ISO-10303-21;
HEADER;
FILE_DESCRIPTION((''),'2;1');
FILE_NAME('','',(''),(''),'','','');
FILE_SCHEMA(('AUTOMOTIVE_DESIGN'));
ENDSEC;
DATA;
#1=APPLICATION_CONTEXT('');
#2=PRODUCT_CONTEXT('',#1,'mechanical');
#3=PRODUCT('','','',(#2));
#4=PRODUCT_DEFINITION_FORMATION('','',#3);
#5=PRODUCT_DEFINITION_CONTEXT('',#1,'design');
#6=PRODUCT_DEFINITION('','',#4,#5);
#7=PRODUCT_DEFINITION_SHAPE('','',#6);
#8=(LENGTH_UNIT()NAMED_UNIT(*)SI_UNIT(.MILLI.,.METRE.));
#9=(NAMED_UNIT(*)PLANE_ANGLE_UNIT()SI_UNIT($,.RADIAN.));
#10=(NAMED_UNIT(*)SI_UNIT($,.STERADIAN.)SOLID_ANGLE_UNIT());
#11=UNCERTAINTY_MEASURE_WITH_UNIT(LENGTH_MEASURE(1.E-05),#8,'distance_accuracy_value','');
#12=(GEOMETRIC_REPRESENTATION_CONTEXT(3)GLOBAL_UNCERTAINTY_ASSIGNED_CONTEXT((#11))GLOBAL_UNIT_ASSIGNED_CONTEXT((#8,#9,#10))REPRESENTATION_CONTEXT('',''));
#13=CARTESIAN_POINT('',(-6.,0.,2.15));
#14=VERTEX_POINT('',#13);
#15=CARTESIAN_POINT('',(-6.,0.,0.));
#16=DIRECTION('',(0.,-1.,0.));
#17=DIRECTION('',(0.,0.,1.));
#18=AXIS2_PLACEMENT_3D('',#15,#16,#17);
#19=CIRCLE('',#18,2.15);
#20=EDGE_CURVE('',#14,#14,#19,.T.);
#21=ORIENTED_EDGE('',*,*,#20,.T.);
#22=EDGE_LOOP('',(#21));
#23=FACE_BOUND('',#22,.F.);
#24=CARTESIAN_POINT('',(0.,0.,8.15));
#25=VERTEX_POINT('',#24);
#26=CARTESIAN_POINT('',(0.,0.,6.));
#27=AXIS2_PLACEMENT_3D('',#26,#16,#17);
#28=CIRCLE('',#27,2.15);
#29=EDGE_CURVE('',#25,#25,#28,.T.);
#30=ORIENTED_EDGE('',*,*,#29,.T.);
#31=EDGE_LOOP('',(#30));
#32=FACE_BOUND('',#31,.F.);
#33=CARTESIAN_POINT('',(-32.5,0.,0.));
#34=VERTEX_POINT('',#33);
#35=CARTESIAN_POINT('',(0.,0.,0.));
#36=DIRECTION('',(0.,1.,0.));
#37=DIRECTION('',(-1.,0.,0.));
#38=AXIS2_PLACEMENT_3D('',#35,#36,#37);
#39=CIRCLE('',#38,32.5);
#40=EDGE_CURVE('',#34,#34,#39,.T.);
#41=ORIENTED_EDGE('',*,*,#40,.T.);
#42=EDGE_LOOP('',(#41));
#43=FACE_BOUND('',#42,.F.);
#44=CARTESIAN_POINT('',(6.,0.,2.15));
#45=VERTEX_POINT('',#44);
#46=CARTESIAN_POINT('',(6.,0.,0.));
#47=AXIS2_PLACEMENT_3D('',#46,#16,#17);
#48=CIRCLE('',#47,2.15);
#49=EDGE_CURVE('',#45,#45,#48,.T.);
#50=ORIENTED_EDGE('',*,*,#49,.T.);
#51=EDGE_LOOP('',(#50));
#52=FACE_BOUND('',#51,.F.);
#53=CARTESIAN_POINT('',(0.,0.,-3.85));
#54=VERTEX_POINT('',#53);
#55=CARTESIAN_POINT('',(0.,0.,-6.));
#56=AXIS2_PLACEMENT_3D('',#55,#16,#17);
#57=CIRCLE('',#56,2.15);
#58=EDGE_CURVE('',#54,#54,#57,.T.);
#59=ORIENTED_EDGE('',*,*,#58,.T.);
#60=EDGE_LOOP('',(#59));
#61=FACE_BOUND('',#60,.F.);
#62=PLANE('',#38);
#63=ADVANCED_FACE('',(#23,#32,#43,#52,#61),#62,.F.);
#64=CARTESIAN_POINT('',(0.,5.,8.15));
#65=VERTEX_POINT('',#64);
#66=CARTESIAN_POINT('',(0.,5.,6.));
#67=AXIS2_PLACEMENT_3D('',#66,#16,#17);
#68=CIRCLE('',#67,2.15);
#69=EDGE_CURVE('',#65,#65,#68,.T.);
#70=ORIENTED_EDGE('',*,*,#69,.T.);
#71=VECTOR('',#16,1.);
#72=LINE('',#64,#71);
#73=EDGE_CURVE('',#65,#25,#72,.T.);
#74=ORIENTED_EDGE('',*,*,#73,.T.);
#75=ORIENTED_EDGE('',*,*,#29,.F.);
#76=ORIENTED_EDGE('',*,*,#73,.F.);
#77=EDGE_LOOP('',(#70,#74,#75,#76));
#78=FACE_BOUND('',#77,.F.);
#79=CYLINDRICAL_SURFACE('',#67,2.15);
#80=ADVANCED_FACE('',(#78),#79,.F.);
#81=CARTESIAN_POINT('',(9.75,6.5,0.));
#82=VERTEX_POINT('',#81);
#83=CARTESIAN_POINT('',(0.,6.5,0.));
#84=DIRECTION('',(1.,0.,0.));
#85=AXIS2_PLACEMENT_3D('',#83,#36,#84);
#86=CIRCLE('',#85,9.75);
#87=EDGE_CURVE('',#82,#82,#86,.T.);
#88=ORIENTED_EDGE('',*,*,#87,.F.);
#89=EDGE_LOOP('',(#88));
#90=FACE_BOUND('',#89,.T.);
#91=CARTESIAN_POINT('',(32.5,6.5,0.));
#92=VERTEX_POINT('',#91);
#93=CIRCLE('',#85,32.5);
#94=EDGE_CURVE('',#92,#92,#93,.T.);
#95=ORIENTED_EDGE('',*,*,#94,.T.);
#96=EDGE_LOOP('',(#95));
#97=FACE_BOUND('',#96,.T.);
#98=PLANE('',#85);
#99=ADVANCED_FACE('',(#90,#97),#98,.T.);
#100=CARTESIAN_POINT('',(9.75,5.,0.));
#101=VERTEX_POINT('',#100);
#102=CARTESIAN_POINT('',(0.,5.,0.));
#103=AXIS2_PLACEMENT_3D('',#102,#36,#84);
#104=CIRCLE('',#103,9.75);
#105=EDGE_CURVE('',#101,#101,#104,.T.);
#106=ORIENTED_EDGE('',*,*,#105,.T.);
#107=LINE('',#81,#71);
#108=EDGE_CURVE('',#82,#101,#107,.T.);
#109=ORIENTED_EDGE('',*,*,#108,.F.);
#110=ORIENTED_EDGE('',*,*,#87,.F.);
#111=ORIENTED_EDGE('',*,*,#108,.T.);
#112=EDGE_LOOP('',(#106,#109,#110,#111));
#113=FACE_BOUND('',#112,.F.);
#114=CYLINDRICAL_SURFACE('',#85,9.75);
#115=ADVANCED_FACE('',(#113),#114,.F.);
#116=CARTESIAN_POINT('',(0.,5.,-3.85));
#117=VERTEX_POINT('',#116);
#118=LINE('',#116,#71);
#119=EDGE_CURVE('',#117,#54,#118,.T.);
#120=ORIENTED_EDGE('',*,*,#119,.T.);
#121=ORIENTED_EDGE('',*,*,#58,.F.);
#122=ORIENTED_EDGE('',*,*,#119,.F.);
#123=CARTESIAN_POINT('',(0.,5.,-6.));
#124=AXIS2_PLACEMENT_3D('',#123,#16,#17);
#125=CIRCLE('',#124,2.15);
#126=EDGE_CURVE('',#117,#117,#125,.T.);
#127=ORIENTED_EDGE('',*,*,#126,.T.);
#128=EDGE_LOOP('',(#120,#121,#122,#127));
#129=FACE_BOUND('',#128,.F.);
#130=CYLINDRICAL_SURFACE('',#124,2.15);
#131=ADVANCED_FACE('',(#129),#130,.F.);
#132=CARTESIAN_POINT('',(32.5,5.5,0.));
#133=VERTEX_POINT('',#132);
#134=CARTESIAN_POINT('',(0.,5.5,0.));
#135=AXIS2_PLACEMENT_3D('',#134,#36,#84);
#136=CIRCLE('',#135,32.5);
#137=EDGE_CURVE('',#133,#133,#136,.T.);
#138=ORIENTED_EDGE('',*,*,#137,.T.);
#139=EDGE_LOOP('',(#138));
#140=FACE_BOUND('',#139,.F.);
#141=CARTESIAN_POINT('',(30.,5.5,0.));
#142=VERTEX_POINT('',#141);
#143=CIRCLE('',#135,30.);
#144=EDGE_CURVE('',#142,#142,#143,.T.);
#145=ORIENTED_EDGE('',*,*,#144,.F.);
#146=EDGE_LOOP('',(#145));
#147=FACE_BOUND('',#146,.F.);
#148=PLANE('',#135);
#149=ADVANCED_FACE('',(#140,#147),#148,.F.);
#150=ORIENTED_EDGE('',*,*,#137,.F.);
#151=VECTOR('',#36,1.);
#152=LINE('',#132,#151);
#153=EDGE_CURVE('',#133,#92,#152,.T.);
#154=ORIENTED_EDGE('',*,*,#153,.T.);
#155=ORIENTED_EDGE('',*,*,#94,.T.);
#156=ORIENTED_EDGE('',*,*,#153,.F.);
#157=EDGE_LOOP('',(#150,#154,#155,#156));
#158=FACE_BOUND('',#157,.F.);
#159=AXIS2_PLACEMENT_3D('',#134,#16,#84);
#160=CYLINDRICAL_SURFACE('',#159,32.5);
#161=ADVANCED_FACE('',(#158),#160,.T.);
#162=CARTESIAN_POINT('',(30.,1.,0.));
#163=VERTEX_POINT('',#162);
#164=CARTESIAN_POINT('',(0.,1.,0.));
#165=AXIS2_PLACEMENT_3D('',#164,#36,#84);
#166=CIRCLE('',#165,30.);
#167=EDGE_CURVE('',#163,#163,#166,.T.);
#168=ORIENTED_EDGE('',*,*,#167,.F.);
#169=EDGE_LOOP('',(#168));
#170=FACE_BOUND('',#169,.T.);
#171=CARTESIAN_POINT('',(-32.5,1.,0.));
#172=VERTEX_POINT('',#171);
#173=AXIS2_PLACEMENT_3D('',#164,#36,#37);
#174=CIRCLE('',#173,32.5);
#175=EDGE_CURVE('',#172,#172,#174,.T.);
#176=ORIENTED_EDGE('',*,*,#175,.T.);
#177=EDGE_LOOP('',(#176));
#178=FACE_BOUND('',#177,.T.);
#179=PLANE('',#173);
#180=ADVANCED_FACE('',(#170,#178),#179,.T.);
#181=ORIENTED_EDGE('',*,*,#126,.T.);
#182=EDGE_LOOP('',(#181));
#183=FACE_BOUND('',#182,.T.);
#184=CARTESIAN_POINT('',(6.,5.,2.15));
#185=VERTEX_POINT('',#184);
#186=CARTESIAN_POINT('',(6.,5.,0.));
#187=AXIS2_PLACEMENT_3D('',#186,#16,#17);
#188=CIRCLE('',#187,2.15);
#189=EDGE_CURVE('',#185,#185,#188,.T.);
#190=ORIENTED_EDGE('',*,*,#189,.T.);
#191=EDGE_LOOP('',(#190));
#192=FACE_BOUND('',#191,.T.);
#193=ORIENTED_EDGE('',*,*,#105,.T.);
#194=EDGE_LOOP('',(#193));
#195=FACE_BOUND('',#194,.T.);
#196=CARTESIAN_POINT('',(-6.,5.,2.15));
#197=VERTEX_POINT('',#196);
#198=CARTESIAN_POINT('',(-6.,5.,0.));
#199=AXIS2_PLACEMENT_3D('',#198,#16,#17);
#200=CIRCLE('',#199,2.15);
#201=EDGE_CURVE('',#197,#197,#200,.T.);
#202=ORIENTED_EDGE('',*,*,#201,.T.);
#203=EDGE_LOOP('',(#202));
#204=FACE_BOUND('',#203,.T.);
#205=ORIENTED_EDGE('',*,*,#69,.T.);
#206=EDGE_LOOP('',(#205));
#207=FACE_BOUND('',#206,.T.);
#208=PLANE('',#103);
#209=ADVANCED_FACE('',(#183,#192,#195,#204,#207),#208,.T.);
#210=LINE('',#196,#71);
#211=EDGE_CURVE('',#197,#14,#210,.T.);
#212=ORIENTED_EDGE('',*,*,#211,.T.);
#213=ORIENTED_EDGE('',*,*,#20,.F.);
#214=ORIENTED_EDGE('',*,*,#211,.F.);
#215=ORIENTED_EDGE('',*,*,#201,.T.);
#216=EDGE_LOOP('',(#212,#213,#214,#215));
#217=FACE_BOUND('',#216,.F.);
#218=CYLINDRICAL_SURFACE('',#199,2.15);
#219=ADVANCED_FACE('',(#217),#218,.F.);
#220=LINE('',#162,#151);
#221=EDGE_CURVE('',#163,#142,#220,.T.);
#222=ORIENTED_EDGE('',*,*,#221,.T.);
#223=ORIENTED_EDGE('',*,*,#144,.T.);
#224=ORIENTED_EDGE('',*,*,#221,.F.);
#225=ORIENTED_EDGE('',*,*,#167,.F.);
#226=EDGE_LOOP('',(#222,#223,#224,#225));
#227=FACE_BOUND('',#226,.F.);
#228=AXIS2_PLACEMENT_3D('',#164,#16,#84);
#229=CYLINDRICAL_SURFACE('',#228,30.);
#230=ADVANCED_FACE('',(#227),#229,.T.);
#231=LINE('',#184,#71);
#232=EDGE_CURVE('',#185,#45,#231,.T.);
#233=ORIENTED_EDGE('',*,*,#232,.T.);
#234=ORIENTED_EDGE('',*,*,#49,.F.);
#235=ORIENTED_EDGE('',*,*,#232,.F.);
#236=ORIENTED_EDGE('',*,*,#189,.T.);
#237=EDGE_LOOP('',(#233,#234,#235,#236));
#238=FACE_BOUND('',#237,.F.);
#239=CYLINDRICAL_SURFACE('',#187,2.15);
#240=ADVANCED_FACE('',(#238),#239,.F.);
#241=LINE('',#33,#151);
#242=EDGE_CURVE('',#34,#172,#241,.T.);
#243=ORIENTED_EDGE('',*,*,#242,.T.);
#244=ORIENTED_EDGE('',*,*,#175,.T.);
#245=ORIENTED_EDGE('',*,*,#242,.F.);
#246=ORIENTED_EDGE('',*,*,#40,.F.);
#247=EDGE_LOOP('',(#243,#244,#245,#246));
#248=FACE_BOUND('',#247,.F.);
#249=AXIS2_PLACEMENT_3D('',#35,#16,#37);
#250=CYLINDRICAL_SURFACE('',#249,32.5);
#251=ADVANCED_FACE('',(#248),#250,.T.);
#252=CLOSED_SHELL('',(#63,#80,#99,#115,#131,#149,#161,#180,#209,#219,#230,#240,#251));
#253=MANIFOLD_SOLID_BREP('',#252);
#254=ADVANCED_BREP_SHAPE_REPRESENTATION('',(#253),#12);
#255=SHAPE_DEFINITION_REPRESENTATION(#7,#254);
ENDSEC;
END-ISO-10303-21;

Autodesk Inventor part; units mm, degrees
ref_plane "YZ Plane" through (0, 0, 0) normal (1, 0, 0) x (0, 1, 0)
ref_plane "XZ Plane" through (0, 0, 0) normal (0, 1, 0) x (-1, 0, 0)
ref_plane "XY Plane" through (0, 0, 0) normal (0, 0, 1) x (1, 0, 0)
sketch "Sketch1" plane through (0, 0, 0) normal (0, 1, 0) x (-1, 0, 0)
  circle A0 centre (0, 0) radius 32.5
  dimension "d0" = 65
extrude "Extrusion1" add sketch "Sketch1" along normal blind 1
sketch "Sketch2" plane through (0, 1, 0) normal (0, 1, 0) x (1, 0, 0)
  circle A0 centre (0, 0) radius 30
  dimension "d3" = 60
extrude "Extrusion2" add sketch "Sketch2" along normal blind 4.5
sketch "Sketch3" plane through (0, 5.5, 0) normal (0, 1, 0) x (1, 0, 0)
  circle A0 centre (0, 0) radius 32.5
  dimension "d6" = 65
extrude "Extrusion3" add sketch "Sketch3" along normal blind 1
sketch "Sketch4" plane through (0, 6.5, 0) normal (0, 1, 0) x (1, 0, 0)
  circle A0 centre (0, 0) radius 9.75
  dimension "d9" = 19.5
extrude "Extrusion4" cut sketch "Sketch4" against normal blind 1.5
sketch "Sketch5" plane through (0, 5, 0) normal (0, 1, 0) x (1, 0, 0)
  circle A0 centre (0, 6) radius 2.15
  circle A1 centre (0, -6) radius 2.15
  circle A2 centre (-6, 0) radius 2.15
  circle A3 centre (6, 0) radius 2.15
  point P0 (0, 0)
  dimension "d12" = 4.3
  dimension "d13" = 6
  dimension "d14" = 4.3
  dimension "d15" = 12
  dimension "d16" = 4.3
  dimension "d17" = 6
  dimension "d18" = 4.3
  dimension "d19" = 12
hole "Hole1" at (0, 5, -6) at (6, 5, 0) at (0, 5, 6) at (-6, 5, 0) direction (0, -1, 0) diameter 4.3 end through all
properties part number "LargeWheel"
